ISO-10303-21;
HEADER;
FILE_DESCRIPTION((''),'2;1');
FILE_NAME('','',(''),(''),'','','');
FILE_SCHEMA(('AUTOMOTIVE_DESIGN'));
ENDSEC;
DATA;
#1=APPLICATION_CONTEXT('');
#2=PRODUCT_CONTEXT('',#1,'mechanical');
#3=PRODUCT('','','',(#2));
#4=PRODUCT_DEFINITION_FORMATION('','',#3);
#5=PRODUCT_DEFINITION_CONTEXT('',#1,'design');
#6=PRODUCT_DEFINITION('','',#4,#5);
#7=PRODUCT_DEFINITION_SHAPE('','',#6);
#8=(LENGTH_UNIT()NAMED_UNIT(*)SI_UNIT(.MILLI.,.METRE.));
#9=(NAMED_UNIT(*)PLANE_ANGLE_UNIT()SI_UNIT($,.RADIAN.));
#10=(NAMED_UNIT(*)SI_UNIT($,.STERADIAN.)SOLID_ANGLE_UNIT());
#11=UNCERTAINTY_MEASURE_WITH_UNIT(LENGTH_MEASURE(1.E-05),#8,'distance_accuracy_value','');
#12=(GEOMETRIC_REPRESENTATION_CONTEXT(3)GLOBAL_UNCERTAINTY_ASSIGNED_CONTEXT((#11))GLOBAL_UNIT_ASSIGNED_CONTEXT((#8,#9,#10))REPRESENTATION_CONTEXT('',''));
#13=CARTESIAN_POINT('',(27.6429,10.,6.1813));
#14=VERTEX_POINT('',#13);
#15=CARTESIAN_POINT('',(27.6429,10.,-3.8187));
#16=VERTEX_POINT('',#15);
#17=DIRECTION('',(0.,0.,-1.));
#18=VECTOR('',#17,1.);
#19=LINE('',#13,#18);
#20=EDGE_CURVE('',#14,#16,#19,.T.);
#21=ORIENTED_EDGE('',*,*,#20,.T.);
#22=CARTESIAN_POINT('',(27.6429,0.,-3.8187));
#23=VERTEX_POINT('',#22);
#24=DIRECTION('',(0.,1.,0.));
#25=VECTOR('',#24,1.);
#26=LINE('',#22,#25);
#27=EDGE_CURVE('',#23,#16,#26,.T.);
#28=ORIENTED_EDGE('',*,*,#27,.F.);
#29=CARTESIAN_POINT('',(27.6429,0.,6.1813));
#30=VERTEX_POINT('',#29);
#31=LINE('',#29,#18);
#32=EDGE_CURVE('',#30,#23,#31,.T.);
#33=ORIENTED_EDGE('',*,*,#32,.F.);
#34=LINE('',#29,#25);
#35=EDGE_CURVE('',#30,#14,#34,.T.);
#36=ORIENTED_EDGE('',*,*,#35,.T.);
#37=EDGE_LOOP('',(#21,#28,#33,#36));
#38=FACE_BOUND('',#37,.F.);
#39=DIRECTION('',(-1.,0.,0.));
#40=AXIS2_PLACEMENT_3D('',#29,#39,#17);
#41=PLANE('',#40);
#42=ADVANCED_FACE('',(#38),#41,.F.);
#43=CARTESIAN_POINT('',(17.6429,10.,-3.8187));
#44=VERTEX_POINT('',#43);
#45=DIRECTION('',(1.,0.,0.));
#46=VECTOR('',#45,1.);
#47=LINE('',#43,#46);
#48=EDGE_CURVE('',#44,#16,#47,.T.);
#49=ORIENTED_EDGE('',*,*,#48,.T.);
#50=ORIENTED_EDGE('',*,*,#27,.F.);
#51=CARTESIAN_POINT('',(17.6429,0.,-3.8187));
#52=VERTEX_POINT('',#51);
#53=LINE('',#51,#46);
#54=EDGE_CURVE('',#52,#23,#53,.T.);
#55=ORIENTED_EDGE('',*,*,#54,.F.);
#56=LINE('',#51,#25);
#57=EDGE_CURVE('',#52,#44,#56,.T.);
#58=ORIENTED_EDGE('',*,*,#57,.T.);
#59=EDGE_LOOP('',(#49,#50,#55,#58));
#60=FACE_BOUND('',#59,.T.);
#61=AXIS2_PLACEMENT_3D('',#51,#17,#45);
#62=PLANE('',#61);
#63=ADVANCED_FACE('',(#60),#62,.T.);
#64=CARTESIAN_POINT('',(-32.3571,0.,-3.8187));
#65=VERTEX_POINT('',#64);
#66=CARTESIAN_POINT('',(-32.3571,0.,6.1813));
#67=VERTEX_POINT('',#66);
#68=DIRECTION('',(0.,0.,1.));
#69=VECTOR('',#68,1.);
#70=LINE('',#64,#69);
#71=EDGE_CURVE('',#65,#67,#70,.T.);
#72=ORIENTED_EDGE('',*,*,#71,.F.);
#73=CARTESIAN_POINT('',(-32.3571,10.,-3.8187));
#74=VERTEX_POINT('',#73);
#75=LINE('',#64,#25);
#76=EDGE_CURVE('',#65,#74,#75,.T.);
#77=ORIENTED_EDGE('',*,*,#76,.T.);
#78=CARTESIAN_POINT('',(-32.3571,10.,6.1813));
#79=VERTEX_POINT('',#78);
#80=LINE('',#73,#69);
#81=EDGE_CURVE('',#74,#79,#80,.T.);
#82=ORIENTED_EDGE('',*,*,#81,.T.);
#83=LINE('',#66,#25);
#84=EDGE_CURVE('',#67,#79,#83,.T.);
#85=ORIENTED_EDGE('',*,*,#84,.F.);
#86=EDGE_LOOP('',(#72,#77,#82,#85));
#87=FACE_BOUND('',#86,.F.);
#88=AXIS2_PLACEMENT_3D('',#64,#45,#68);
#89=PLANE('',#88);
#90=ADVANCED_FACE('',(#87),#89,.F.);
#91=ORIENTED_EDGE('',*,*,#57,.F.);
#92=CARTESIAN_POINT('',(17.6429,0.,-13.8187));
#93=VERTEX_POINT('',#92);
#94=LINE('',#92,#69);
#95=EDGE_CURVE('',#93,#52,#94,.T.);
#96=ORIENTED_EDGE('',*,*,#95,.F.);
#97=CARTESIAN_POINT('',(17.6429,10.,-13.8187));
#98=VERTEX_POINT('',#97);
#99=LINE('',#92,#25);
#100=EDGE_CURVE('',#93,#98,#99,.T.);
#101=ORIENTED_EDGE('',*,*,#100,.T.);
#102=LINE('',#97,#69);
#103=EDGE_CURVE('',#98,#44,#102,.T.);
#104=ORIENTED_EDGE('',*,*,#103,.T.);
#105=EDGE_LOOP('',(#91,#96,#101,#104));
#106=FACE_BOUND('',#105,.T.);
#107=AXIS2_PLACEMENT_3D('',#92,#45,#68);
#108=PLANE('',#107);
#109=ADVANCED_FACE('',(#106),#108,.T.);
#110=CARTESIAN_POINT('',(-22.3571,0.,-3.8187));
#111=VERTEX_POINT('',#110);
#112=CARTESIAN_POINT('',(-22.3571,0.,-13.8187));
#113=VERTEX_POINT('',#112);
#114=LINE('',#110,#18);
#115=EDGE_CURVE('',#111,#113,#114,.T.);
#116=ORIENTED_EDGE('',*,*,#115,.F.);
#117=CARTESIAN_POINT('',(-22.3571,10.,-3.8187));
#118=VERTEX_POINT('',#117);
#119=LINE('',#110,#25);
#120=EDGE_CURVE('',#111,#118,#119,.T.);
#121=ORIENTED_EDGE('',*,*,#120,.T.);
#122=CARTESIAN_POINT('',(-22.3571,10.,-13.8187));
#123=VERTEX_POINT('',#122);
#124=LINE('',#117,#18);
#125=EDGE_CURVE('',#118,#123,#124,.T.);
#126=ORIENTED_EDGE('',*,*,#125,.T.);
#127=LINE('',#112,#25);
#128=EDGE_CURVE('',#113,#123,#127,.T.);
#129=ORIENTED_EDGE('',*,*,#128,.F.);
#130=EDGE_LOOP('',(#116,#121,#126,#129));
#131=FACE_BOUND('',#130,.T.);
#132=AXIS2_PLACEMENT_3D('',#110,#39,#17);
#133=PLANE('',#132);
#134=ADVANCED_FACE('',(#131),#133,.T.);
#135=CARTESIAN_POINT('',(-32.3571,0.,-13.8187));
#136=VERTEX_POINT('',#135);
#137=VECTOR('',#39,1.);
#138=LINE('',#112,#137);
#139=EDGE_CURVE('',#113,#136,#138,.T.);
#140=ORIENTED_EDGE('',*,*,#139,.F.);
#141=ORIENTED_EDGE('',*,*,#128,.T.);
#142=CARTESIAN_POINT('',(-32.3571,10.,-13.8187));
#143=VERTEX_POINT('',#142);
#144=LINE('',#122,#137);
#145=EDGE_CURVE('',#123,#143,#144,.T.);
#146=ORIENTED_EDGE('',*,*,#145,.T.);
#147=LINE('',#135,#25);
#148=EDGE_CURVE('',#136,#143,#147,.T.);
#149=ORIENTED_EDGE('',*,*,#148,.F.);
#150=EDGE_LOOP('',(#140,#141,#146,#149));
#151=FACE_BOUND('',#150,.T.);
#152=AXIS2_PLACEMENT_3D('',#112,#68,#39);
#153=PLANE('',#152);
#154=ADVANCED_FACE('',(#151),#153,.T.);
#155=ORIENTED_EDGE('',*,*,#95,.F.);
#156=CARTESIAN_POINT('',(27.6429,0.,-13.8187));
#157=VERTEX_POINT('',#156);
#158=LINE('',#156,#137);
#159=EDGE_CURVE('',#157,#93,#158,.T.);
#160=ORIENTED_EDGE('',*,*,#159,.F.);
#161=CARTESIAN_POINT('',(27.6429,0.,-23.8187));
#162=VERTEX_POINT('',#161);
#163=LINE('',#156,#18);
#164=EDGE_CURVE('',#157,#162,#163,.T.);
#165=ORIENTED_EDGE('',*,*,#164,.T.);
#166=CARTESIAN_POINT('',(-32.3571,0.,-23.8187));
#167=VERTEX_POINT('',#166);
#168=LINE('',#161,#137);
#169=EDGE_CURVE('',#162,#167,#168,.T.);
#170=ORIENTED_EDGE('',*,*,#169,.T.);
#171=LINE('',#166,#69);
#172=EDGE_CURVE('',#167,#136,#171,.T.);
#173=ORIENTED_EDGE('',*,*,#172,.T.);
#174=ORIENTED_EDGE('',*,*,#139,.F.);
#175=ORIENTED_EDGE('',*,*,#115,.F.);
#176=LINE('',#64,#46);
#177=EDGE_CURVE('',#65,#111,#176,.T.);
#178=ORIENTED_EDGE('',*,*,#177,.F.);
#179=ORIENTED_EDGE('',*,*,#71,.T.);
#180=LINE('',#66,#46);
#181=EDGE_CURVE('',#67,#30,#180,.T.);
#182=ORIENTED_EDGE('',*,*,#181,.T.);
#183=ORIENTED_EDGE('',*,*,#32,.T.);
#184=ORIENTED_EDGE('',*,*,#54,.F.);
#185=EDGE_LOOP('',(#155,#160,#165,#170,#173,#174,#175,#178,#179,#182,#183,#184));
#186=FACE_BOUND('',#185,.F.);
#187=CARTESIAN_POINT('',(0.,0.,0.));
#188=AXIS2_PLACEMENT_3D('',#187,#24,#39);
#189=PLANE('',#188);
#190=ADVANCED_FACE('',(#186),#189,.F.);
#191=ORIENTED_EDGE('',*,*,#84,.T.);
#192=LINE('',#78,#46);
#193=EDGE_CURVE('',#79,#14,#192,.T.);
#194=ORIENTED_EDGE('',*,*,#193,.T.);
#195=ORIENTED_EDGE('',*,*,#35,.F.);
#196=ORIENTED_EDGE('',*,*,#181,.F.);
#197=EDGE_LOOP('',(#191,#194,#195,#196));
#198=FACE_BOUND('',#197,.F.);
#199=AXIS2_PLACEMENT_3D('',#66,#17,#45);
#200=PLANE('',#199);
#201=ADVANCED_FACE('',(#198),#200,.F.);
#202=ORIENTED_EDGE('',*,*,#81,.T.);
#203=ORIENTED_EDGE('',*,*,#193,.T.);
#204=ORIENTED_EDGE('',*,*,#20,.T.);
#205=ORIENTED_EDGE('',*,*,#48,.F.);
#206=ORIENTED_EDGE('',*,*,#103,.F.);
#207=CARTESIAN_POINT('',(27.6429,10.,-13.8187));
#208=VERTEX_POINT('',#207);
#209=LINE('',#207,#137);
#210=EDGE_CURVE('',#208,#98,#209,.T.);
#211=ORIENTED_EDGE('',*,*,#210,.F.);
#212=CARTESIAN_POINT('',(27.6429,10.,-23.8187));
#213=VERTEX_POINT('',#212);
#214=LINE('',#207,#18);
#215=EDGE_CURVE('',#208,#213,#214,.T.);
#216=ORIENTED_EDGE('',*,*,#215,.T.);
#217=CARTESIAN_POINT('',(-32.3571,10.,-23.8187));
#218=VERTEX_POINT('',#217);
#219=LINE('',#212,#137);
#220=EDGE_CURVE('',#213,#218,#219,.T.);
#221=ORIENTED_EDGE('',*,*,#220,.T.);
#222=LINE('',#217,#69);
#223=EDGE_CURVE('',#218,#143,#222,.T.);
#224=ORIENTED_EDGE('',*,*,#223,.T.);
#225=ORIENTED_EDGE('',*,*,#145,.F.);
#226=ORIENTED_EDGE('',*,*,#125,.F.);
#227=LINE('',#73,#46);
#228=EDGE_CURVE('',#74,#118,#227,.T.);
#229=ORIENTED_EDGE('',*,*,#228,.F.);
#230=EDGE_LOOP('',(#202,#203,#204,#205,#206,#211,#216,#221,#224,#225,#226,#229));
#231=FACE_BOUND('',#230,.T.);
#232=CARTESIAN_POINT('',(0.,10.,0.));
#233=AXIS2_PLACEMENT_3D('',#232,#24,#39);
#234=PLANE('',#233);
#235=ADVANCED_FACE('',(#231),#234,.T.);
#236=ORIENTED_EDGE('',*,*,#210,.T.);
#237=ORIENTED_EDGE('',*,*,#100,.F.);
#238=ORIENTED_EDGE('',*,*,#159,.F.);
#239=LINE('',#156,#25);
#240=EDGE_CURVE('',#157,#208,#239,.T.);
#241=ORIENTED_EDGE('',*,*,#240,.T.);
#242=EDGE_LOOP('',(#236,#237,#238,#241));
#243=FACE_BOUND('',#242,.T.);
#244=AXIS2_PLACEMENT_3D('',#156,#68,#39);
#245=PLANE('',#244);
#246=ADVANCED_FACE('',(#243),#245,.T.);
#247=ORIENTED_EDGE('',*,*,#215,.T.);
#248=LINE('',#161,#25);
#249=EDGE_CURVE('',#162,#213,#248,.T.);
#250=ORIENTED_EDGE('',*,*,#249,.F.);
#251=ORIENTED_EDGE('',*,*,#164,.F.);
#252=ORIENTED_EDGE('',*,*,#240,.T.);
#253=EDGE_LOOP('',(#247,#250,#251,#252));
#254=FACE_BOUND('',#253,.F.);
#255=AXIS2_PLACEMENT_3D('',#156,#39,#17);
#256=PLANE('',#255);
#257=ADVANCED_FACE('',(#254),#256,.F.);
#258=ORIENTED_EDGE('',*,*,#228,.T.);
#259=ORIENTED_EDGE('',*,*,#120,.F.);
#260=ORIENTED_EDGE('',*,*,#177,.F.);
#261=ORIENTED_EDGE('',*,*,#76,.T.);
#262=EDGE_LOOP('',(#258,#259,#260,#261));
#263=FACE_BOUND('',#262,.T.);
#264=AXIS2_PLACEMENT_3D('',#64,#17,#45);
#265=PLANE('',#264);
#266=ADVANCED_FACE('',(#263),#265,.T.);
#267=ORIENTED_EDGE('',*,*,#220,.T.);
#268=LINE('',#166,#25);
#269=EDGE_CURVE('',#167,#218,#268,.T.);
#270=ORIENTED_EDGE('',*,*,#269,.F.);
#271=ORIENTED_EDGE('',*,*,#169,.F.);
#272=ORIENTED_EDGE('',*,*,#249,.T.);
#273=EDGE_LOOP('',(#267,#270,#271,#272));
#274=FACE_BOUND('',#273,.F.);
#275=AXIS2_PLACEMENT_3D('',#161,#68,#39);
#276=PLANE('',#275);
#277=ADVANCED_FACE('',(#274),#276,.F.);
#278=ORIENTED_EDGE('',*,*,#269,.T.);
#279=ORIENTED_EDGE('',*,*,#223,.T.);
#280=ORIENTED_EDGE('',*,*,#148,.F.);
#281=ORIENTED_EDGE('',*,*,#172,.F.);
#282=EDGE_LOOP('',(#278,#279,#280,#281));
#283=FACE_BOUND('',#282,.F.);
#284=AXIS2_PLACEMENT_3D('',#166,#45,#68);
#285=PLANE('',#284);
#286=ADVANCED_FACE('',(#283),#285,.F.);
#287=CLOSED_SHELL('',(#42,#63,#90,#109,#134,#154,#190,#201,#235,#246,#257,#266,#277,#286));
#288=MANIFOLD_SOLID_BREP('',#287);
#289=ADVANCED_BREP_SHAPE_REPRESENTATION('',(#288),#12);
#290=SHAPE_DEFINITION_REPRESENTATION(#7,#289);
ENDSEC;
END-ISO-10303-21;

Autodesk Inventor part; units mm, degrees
ref_plane "YZ Plane" through (0, 0, 0) normal (1, 0, 0) x (0, 1, 0)
ref_plane "XZ Plane" through (0, 0, 0) normal (0, 1, 0) x (-1, 0, 0)
ref_plane "XY Plane" through (0, 0, 0) normal (0, 0, 1) x (1, 0, 0)
sketch "Skizze1" plane through (0, 0, 0) normal (0, 1, 0) x (-1, 0, 0)
  line L0 (32.3571, 6.1813) -> (-27.6429, 6.1813)
  line L1 (-27.6429, -23.8187) -> (32.3571, -23.8187)
  line L2 (32.3571, -3.8187) -> (22.3571, -3.8187)
  line L3 (22.3571, -3.8187) -> (22.3571, -13.8187)
  line L4 (22.3571, -13.8187) -> (32.3571, -13.8187)
  line L5 (-17.6429, -3.8187) -> (-27.6429, -3.8187)
  line L6 (-27.6429, -13.8187) -> (-17.6429, -13.8187)
  line L7 (-17.6429, -13.8187) -> (-17.6429, -3.8187)
  line L8 (-27.6429, 6.1813) -> (-27.6429, -3.8187)
  line L9 (-27.6429, -13.8187) -> (-27.6429, -23.8187)
  line L10 (32.3571, -23.8187) -> (32.3571, -13.8187)
  line L11 (32.3571, -3.8187) -> (32.3571, 6.1813)
  point P0 (0, 0)
  dimension "d0" = 30
  dimension "d1" = 60
  dimension "d2" = 10
  dimension "d3" = 10
  dimension "d4" = 10
  dimension "d6" = 10
  dimension "d7" = 10
  dimension "d10" = 10
extrude "Extrusion1" add sketch "Skizze1" along normal blind 10
properties part number "KabelBoxPlatteKurz"
